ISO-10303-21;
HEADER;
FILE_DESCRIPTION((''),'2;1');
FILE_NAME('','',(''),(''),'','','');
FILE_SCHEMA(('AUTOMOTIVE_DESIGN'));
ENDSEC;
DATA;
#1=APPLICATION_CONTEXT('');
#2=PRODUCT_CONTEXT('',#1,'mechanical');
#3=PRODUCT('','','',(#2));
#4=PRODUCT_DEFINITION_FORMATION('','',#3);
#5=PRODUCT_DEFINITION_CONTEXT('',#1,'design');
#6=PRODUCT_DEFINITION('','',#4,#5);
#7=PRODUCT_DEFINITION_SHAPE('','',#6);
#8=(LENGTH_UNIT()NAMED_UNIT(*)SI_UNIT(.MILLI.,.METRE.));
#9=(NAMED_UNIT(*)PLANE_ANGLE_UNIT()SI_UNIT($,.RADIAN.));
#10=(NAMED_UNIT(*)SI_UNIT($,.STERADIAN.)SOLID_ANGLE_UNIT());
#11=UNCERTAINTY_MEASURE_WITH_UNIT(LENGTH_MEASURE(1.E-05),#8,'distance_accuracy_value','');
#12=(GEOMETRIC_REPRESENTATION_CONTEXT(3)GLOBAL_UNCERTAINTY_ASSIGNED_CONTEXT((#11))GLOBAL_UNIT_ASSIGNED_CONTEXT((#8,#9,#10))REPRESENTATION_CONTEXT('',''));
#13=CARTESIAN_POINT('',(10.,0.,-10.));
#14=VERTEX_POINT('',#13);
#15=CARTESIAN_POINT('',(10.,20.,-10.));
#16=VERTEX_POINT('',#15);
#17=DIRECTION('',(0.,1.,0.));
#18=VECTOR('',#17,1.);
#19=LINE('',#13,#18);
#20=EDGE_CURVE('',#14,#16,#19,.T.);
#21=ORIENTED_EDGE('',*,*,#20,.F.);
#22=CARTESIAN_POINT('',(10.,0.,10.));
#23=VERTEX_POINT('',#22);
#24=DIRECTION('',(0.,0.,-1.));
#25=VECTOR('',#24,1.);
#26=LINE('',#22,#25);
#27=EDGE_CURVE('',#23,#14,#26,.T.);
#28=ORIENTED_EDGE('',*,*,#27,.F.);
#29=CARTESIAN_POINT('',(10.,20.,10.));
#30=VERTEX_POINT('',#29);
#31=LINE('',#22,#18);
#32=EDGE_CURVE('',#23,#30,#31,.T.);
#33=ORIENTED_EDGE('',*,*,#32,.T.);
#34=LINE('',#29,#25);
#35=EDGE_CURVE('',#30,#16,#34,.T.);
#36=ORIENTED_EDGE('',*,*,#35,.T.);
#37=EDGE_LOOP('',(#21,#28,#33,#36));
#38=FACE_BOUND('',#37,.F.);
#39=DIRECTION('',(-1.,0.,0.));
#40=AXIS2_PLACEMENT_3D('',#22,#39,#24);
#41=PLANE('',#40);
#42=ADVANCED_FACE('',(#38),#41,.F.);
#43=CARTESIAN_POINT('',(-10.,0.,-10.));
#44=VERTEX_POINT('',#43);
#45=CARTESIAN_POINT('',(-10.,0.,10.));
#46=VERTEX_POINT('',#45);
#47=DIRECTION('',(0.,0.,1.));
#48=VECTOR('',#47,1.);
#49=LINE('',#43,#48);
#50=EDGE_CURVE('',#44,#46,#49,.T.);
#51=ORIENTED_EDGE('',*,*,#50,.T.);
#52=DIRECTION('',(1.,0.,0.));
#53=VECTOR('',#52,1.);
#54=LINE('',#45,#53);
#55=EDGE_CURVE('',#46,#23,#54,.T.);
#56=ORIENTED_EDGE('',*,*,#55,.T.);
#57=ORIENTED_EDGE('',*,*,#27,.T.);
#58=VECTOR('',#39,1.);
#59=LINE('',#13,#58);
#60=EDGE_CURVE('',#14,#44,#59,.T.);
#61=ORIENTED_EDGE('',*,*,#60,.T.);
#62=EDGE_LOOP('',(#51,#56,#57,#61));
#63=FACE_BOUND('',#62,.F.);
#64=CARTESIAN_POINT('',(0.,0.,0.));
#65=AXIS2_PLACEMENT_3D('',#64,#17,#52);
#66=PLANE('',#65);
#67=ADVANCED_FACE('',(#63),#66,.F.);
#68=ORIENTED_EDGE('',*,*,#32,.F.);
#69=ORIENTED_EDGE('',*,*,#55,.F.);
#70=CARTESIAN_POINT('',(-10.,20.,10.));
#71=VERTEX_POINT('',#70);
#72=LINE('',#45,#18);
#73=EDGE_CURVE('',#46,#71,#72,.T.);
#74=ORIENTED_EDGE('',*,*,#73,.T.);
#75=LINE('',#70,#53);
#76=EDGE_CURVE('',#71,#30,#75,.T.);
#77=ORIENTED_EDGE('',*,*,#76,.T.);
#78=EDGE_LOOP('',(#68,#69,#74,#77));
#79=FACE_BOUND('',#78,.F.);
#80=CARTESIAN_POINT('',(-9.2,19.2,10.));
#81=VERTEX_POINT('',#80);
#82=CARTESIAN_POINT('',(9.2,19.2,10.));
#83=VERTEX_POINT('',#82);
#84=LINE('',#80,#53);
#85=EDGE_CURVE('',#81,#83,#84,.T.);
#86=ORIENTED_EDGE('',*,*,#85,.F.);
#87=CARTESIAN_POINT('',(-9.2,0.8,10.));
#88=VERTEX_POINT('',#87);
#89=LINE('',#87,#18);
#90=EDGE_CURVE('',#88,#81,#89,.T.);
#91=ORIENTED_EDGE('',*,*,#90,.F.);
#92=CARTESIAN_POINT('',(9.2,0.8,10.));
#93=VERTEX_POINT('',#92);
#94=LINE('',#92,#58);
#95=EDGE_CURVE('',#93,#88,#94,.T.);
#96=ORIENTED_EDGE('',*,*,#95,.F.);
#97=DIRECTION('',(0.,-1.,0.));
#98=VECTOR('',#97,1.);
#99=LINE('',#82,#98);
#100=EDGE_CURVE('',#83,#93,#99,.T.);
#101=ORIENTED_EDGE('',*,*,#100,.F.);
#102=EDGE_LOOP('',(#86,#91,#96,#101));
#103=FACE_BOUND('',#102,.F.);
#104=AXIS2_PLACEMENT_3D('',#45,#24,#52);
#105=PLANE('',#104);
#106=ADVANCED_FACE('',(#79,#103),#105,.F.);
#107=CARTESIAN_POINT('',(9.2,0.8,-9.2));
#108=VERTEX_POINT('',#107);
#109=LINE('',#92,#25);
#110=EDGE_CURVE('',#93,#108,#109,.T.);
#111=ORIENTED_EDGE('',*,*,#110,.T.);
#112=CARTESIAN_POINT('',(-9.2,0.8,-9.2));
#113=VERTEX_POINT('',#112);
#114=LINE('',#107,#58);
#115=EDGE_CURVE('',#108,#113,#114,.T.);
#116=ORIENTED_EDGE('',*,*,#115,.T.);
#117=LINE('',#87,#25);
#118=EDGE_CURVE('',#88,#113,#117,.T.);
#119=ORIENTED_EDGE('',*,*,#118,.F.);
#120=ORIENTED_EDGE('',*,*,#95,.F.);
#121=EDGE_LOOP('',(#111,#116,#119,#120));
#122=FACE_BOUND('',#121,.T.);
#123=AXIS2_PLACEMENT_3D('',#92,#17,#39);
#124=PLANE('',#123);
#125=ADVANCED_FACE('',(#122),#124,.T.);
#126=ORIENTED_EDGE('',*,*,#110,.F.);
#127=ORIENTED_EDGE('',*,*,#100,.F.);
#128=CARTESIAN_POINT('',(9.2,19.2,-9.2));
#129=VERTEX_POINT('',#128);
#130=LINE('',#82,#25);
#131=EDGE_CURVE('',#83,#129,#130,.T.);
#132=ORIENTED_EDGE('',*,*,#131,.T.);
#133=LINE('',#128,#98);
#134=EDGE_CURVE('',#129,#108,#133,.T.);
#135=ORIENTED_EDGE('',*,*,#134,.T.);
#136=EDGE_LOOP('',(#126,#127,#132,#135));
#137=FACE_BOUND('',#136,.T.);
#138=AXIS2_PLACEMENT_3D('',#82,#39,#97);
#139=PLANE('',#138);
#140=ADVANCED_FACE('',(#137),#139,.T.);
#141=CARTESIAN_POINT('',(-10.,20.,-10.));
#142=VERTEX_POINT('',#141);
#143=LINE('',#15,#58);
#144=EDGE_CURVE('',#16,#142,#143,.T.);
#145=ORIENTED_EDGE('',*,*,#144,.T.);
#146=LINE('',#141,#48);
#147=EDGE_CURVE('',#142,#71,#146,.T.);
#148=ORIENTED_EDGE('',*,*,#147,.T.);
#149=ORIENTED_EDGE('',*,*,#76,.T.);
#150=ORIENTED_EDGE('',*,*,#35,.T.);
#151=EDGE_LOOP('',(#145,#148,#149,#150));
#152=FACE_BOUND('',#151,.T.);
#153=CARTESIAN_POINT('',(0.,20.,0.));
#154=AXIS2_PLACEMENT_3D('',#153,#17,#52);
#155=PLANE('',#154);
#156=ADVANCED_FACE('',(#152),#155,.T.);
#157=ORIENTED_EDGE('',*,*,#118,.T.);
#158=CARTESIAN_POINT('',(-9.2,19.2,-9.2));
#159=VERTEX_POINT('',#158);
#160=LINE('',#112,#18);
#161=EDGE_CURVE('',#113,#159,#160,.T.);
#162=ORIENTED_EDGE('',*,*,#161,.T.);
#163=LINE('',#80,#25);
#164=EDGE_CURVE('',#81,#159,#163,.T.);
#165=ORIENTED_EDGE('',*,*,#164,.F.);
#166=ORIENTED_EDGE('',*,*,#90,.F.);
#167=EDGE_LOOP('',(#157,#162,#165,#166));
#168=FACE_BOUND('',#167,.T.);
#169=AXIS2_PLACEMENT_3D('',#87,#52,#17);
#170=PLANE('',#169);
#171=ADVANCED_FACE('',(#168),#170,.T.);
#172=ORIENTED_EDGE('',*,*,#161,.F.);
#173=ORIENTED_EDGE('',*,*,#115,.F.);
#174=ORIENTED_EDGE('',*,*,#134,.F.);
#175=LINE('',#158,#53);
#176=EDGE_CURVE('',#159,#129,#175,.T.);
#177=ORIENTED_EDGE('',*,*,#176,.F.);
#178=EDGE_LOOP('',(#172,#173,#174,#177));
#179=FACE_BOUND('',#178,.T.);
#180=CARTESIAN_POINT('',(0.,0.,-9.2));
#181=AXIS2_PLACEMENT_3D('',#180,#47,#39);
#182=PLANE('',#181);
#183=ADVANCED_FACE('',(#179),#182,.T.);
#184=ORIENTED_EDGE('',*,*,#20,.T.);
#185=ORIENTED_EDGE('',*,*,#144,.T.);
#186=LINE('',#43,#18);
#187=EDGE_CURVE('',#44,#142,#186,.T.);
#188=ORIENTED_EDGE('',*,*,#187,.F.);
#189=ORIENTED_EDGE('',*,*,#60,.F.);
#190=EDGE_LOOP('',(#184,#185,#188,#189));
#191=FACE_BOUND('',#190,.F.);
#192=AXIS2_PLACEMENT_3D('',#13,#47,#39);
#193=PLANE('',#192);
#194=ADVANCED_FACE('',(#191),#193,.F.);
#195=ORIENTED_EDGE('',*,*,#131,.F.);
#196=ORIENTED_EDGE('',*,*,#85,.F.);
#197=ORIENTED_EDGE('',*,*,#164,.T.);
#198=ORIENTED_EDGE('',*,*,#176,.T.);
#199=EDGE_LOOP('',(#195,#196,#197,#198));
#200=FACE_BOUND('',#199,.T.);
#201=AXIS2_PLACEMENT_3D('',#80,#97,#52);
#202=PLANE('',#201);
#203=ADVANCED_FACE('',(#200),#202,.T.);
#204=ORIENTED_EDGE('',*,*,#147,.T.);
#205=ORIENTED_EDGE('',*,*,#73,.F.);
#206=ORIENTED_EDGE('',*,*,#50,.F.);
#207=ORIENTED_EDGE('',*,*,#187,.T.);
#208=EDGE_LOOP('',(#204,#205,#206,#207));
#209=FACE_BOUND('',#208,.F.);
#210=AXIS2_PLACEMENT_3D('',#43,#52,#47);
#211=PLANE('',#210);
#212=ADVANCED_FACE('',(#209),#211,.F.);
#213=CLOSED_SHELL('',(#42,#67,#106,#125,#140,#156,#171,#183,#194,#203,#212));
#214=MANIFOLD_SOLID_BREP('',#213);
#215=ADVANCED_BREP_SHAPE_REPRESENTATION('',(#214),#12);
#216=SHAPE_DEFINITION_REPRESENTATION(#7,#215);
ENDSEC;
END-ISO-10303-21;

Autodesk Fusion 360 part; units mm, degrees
sketch "Sketch1" plane through (0, 0, 0) normal (0, 1, 0) x (1, 0, 0)
  line L0 (10, 10) -> (-10, 10)
  line L1 (-10, 10) -> (-10, -10)
  line L2 (-10, -10) -> (10, -10)
  line L3 (10, -10) -> (10, 10)
  line L4 (10, 10) -> (-10, -10) construction
  line L5 (-10, 10) -> (10, -10) construction
  dimension "d1" = 20
  dimension "d2" = 20
extrude "Extrude1" add sketch "Sketch1" along normal blind 20
sketch "Sketch2" plane through (0, 0, 10) normal (0, 0, 1) x (-1, 0, 0)
  line L0 (10, 0) -> (-10, 0)
  line L1 (-10, 0) -> (-10, -20)
  line L2 (-10, -20) -> (10, -20)
  line L3 (10, -20) -> (10, 0)
  line L4 (9.2, -0.8) -> (9.2, -19.2)
  line L5 (9.2, -19.2) -> (-9.2, -19.2)
  line L6 (-9.2, -19.2) -> (-9.2, -0.8)
  line L7 (-9.2, -0.8) -> (9.2, -0.8)
  dimension "d5" = 0.8
  dimension "d6" = 0.8
  dimension "d7" = 0.8
  dimension "d8" = 0.8
extrude "Extrude2" cut sketch "Sketch2" against normal blind 19.2 contours L4 L5 L6 L7
